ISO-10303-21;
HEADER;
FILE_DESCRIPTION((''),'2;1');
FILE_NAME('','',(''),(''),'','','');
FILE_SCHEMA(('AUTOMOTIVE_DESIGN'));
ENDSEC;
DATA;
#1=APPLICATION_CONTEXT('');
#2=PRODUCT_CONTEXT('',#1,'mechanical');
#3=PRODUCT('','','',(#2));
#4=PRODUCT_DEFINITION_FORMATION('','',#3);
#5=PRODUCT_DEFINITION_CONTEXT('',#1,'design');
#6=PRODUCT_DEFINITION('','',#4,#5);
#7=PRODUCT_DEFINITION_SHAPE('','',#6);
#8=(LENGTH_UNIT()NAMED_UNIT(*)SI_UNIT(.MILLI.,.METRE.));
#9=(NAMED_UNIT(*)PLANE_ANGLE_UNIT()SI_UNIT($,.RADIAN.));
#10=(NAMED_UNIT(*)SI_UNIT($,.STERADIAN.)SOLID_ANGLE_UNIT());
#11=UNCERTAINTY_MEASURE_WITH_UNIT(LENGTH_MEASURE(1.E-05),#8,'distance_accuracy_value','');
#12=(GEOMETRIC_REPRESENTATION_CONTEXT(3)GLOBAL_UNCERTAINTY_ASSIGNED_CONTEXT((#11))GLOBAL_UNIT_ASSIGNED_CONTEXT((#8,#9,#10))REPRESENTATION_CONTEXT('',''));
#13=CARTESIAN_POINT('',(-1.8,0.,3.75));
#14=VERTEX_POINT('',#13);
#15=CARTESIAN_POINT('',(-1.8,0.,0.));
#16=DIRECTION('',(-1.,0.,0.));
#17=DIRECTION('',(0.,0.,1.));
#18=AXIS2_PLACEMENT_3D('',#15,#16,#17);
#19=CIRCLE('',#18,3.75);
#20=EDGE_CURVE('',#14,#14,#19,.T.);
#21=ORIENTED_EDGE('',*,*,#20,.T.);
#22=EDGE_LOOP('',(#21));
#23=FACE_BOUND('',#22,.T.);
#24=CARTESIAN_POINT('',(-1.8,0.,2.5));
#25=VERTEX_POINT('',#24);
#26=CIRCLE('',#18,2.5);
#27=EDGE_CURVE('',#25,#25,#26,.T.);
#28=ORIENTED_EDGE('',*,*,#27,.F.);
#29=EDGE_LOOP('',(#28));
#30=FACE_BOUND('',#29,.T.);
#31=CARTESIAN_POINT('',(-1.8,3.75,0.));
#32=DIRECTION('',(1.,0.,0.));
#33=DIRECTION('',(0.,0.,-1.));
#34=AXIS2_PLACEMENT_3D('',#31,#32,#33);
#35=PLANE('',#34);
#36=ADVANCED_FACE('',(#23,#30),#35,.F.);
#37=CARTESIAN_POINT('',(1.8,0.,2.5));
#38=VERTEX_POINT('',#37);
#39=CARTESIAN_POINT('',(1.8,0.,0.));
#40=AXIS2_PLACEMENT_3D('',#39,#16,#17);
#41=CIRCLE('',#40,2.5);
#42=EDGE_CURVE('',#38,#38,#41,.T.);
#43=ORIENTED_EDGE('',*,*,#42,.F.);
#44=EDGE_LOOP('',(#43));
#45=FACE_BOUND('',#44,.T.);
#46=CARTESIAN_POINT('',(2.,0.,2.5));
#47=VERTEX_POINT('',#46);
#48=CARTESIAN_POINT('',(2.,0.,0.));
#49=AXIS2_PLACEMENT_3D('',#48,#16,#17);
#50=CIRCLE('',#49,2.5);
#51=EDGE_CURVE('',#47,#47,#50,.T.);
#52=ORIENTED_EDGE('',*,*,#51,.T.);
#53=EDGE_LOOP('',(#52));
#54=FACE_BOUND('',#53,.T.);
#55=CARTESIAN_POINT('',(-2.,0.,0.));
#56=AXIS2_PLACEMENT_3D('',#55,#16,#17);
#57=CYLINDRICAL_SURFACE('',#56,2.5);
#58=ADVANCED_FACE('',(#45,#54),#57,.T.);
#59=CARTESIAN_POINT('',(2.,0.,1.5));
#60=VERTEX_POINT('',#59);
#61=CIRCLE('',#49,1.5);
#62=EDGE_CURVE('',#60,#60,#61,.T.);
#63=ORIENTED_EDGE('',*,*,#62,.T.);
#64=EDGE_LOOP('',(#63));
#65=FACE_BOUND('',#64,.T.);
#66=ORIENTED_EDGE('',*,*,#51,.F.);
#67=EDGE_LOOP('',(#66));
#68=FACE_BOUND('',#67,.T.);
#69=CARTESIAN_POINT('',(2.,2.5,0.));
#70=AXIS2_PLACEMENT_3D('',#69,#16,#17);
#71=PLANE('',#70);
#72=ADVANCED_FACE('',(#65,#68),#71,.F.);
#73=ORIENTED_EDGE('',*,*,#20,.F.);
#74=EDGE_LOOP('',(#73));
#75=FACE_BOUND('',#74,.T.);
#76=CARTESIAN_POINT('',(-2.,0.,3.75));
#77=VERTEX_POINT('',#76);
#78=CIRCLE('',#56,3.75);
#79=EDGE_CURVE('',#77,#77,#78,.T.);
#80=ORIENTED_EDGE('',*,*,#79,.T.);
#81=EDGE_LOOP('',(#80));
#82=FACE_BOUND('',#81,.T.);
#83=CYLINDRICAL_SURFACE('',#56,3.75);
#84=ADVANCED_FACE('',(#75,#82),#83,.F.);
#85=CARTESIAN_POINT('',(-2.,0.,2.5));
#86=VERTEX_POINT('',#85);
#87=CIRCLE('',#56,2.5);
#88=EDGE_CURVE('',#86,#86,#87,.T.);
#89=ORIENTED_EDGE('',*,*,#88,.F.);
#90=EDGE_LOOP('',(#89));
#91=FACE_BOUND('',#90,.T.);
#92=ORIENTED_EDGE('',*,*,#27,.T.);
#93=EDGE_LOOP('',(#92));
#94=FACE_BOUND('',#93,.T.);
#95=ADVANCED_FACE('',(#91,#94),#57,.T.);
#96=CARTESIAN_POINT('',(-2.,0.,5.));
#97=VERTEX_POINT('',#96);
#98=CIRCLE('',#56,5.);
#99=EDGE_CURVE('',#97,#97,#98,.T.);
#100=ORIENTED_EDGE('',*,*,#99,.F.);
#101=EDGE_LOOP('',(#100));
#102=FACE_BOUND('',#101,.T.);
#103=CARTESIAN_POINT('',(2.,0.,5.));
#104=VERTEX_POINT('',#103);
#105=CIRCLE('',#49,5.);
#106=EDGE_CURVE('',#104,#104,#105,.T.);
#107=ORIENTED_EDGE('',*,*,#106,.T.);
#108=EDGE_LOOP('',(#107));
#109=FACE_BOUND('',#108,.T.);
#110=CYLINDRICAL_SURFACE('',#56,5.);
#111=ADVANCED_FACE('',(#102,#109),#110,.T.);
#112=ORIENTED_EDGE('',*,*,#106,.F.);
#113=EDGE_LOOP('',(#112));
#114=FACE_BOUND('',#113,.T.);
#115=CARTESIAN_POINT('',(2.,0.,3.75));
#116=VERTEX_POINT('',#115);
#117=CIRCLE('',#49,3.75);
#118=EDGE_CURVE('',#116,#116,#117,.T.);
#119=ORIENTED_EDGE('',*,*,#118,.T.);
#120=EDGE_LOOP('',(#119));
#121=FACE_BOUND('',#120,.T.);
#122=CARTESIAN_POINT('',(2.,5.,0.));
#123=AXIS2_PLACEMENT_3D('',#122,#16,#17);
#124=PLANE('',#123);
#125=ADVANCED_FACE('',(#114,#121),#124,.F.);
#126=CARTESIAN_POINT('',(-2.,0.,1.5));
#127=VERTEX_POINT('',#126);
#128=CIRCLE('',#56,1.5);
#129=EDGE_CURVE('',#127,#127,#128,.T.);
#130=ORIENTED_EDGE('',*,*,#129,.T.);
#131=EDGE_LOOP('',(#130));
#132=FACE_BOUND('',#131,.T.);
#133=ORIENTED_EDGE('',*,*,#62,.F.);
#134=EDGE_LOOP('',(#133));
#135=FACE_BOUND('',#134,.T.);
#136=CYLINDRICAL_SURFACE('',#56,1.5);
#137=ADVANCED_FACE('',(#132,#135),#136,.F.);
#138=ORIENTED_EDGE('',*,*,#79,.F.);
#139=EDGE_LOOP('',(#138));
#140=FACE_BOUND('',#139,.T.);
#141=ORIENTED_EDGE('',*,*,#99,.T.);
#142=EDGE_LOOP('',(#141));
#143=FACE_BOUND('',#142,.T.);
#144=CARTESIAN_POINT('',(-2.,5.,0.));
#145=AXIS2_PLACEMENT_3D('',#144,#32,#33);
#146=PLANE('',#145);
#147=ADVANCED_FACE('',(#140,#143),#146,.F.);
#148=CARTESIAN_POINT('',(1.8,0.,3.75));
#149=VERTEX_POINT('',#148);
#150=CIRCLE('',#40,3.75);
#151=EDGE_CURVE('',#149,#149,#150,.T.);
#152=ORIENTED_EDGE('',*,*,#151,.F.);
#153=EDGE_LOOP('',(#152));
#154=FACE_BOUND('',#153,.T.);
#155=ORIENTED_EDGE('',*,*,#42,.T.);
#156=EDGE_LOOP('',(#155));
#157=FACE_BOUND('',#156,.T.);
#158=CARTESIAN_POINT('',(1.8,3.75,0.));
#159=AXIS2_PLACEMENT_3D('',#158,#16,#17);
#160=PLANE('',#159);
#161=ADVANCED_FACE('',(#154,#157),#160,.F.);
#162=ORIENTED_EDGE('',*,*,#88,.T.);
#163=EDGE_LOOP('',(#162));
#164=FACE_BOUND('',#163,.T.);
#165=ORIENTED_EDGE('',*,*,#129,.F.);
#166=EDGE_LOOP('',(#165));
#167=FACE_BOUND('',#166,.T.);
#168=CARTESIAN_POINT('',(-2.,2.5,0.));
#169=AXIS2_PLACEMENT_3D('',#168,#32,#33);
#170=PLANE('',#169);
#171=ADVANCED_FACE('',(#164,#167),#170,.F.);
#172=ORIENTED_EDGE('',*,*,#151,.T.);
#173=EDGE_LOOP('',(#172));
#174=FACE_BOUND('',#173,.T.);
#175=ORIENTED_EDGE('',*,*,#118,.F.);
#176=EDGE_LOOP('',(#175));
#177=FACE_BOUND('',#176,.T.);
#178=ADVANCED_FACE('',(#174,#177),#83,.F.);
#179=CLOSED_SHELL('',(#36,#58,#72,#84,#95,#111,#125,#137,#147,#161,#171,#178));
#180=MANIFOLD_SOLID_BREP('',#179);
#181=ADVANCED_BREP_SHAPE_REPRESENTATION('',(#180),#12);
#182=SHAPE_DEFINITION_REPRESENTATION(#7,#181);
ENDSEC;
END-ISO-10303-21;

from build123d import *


with BuildPart() as part:
    # Esquisse1 → Révolution1 (revolve)
    with BuildSketch(Plane.XY, mode=Mode.PRIVATE) as r_volution1_sk:
        Polygon((-2, 2.5), (-1.8, 2.5), (-1.8, 3.75), (-2, 3.75), (-2, 5), (2, 5), (2, 3.75), (1.8, 3.75), (1.8, 2.5), (2, 2.5), (2, 1.5), (-2, 1.5), align=None)
    revolve(r_volution1_sk.sketch.rotate(Axis((-2, 0, 0), (1, 0, 0)), 90), axis=Axis((-2, 0, 0), (1, 0, 0)))


solid = part.part
